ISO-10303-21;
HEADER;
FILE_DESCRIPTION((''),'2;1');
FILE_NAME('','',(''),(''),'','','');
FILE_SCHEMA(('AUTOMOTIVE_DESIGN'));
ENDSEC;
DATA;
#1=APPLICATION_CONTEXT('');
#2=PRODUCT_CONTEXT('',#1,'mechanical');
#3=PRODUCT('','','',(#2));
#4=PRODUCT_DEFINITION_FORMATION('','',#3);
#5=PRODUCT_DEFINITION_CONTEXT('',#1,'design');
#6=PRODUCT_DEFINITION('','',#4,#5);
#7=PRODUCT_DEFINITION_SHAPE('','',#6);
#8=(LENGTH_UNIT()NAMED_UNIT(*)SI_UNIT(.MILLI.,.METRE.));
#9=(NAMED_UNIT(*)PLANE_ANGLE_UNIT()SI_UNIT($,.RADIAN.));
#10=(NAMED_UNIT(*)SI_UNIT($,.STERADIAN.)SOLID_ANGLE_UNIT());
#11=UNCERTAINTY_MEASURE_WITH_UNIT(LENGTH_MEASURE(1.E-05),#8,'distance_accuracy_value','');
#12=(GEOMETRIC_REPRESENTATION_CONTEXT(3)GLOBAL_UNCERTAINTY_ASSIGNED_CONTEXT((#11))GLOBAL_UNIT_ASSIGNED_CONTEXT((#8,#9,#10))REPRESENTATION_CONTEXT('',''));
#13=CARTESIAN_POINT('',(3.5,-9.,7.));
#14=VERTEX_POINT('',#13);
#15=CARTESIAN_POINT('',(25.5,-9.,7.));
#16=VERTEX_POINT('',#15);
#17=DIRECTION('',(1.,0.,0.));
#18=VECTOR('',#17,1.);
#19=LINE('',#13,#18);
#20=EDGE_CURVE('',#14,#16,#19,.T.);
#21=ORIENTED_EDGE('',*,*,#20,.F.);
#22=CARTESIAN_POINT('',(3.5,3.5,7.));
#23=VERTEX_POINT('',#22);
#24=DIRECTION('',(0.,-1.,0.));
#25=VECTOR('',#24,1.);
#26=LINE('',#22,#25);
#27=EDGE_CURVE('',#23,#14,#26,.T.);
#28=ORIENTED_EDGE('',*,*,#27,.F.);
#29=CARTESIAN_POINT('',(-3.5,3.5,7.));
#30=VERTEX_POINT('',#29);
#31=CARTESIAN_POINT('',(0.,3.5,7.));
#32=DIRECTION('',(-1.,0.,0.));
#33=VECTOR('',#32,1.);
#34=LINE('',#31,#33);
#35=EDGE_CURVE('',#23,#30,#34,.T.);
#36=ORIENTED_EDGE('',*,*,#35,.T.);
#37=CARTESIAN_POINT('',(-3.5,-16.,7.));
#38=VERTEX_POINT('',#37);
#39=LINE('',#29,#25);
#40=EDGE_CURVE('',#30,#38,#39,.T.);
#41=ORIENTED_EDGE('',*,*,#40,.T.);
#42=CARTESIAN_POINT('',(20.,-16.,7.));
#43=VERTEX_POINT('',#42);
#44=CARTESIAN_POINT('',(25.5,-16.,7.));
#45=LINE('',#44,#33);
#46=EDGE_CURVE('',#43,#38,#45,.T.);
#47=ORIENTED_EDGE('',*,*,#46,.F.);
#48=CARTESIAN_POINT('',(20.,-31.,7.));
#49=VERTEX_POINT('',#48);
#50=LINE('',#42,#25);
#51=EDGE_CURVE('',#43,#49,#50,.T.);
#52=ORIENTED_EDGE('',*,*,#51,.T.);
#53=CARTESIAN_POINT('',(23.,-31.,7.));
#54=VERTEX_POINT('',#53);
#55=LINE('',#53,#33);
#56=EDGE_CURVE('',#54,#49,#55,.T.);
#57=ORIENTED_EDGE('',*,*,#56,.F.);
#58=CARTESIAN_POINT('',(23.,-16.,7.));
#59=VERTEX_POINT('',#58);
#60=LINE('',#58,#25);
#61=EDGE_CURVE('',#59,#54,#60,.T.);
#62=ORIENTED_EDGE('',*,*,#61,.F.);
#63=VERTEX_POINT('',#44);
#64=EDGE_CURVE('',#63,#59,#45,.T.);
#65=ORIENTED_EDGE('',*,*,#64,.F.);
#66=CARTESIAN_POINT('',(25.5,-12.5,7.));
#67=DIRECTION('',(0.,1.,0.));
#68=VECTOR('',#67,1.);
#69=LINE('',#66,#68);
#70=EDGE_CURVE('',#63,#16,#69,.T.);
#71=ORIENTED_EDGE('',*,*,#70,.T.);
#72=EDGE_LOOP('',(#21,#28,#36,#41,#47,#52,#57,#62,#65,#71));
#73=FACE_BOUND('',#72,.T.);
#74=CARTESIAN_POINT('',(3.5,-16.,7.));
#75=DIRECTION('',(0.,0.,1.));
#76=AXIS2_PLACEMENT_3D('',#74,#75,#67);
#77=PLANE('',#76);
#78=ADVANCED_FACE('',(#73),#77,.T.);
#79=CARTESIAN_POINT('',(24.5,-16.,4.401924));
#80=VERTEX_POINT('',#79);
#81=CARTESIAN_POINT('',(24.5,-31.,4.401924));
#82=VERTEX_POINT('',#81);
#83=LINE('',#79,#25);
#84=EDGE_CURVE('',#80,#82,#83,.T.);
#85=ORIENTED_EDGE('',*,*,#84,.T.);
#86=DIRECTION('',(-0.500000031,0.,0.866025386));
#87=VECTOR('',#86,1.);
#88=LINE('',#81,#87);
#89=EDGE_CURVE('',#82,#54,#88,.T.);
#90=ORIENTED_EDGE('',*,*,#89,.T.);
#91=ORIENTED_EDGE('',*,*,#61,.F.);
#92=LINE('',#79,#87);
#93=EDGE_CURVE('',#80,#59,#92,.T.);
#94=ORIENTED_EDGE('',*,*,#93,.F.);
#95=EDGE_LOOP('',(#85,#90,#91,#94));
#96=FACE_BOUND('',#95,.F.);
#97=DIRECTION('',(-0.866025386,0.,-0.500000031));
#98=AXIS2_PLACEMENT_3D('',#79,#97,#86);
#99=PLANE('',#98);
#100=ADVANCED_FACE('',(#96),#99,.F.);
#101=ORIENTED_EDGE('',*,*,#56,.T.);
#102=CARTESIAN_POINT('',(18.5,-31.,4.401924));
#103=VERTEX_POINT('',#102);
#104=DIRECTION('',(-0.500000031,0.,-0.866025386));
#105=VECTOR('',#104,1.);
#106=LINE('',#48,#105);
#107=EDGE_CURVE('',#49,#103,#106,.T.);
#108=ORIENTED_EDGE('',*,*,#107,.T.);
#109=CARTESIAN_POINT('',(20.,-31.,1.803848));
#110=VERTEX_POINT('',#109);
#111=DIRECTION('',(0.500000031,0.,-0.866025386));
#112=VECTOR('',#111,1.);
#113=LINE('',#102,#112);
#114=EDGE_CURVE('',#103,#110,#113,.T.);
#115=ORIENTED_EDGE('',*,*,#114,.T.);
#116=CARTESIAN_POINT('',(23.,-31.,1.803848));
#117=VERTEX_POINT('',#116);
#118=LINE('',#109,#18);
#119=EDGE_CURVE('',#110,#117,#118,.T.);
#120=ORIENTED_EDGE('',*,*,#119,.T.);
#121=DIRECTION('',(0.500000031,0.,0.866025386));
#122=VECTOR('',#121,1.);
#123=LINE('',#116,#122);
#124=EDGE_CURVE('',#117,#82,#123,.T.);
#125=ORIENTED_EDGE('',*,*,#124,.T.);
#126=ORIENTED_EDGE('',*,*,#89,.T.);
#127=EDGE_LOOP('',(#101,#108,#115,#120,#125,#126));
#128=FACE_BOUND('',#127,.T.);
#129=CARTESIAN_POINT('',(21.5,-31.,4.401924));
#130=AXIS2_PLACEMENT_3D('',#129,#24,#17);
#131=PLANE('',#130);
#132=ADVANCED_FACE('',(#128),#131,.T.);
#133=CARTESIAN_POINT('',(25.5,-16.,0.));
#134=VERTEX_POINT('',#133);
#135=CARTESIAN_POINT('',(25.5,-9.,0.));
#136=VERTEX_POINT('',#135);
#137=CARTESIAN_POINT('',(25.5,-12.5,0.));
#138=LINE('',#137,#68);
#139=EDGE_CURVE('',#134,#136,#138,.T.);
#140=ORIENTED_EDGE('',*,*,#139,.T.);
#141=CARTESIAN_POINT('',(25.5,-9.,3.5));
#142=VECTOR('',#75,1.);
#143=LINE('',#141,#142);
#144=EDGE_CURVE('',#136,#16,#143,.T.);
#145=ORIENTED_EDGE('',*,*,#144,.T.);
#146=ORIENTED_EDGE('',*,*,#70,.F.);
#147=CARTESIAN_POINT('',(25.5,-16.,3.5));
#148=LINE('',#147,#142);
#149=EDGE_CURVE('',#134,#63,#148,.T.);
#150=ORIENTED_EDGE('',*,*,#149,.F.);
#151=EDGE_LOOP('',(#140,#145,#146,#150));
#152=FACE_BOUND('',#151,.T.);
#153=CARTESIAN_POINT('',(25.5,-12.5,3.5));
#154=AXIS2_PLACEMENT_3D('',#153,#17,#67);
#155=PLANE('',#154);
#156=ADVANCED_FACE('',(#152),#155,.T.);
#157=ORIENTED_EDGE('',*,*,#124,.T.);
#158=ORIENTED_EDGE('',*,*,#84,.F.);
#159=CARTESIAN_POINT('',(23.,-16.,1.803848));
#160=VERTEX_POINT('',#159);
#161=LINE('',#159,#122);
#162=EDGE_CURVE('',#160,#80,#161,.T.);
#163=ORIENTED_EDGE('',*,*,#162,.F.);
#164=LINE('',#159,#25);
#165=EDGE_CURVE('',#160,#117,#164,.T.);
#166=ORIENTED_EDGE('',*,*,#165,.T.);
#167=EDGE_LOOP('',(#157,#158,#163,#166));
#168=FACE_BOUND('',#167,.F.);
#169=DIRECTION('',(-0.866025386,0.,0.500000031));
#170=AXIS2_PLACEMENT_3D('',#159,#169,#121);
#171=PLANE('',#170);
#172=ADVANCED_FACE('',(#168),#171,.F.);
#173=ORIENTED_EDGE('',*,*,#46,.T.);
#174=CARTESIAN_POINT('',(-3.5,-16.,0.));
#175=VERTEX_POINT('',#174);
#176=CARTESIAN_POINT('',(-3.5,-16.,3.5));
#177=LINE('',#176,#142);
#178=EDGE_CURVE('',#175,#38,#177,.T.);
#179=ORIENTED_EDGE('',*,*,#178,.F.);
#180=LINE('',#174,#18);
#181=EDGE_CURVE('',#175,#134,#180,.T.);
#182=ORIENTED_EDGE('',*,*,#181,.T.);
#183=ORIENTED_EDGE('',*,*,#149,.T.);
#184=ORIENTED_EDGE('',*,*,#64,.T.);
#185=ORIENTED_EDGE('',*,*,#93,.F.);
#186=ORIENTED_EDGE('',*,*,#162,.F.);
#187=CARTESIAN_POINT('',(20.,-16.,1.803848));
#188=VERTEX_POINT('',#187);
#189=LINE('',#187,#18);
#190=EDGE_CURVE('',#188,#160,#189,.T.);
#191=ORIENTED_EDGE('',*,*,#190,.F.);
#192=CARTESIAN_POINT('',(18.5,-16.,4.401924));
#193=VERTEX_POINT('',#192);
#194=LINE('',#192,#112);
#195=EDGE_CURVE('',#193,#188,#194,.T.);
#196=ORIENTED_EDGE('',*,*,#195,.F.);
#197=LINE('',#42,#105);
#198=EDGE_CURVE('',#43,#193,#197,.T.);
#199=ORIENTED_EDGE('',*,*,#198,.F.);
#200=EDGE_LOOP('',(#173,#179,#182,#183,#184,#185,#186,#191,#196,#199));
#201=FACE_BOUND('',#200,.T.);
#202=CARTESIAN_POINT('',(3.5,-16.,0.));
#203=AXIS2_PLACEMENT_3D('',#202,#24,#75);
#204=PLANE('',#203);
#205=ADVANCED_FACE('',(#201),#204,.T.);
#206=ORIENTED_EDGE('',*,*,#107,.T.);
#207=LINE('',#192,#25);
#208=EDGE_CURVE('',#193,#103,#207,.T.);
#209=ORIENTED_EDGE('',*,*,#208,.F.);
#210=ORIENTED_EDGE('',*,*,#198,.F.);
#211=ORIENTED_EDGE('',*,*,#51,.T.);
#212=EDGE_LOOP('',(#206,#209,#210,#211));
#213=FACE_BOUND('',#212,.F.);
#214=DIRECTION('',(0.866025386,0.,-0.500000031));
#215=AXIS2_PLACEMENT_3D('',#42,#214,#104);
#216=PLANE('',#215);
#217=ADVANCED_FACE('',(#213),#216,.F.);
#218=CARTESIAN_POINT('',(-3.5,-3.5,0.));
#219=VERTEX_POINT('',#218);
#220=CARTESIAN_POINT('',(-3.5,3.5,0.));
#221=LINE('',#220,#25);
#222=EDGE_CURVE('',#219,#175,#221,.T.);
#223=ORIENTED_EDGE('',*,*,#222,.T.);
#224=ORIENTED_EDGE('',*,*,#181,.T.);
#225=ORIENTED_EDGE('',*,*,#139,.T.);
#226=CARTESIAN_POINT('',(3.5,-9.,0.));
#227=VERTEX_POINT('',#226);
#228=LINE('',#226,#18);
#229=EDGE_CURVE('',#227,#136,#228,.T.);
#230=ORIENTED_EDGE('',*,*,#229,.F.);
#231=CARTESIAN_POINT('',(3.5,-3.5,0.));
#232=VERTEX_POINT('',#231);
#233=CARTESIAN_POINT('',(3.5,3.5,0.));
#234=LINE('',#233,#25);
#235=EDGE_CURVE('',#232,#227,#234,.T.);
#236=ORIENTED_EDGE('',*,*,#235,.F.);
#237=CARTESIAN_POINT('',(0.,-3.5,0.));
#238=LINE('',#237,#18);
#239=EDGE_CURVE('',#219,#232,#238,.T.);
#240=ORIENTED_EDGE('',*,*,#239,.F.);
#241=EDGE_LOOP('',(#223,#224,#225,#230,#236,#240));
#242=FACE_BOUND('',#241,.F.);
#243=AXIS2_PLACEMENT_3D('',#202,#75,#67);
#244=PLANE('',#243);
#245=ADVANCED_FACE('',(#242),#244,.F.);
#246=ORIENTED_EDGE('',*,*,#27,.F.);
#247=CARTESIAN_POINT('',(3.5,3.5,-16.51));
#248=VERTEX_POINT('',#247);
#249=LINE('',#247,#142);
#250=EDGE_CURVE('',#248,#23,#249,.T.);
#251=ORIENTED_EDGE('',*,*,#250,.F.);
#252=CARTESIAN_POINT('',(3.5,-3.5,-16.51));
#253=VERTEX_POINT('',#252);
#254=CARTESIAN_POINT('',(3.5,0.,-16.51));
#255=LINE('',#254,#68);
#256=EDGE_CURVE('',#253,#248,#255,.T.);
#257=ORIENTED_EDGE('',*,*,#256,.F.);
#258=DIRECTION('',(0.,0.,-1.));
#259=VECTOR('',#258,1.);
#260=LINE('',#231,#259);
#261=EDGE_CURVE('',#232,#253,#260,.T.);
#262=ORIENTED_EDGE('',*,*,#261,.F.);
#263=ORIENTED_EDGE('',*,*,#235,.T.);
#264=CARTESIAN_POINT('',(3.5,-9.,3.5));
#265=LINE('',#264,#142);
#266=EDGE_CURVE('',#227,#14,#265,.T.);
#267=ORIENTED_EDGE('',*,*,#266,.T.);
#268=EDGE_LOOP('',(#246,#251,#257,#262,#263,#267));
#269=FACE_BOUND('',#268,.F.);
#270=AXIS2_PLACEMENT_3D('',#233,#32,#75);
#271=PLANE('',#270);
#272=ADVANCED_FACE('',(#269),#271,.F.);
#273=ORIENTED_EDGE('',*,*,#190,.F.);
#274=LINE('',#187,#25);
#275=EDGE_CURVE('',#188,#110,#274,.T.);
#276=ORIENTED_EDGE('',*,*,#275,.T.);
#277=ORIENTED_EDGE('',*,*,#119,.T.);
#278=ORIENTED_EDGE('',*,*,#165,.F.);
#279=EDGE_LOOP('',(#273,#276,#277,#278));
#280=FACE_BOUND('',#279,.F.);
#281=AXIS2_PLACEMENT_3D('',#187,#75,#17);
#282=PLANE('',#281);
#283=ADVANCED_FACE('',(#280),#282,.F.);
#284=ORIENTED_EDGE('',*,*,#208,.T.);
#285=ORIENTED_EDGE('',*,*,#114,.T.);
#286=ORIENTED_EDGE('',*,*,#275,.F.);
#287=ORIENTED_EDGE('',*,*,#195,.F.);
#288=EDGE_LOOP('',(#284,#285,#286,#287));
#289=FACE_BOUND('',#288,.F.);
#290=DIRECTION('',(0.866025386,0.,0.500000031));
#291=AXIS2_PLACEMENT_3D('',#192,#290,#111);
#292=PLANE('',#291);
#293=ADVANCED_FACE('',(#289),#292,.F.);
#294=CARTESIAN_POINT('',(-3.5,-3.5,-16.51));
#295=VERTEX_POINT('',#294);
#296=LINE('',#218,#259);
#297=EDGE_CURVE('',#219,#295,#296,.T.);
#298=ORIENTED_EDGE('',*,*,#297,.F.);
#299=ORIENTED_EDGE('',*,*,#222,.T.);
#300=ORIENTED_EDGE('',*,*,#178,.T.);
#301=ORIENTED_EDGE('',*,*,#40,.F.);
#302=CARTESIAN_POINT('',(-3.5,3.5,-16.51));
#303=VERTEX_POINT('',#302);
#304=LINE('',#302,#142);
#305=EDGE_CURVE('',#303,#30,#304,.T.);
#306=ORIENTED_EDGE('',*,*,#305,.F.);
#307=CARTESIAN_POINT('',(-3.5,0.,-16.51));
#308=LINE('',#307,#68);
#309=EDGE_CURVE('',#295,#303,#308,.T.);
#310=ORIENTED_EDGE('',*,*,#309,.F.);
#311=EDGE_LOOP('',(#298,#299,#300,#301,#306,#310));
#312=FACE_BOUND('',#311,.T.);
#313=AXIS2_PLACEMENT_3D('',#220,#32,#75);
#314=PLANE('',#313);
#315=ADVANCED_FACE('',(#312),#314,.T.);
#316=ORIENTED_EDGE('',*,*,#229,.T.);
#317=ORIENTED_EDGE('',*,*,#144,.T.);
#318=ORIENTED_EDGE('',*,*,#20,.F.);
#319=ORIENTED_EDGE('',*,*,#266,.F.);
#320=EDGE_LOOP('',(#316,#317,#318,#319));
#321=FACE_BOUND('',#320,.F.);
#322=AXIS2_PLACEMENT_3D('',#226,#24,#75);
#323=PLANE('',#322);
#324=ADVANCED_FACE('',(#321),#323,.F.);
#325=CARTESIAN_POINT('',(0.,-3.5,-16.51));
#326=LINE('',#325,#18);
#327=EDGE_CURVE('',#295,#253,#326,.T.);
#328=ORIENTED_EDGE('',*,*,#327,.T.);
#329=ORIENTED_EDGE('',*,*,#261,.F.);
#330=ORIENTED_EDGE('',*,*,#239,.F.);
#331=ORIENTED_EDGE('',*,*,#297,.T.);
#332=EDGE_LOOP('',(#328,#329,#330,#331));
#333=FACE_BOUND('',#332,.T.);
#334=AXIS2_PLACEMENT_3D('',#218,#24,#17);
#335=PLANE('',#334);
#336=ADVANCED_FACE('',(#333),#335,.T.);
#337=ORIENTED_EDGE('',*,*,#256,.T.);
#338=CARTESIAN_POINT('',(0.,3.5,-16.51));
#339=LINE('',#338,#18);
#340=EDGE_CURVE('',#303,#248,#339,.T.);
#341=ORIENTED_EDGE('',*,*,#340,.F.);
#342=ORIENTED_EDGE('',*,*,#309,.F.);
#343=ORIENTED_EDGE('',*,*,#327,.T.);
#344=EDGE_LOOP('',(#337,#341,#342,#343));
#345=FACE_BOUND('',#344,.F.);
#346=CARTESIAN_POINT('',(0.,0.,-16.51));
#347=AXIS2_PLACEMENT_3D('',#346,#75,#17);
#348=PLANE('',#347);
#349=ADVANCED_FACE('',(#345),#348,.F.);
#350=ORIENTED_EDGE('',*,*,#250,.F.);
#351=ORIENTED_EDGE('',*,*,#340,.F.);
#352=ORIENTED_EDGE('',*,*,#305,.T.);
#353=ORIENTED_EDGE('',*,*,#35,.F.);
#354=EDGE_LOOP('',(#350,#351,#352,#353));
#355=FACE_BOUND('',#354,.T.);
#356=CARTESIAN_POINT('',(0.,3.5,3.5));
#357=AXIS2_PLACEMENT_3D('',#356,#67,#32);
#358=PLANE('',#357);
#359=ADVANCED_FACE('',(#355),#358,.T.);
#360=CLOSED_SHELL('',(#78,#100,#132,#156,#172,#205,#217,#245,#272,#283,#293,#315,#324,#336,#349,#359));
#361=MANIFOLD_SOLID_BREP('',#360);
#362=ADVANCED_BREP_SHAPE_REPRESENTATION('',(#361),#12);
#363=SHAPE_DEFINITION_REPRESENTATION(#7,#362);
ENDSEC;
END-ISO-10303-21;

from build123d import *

# Parameters (mm, degrees)
F0_W     = 7
F0_H     = 7
F1_DEPTH = 16.51
F3_W     = 7
F3_H     = 7
F4_DEPTH = 19.5
F5_W     = 7
F5_H     = 7
F6_DEPTH = 22
F8_DEPTH = 15


with BuildPart() as f1:
    # F0 (on Top) → F1 (new body)
    with BuildSketch(Plane.XY):
        Rectangle(F0_W, F0_H)
    extrude(amount=-F1_DEPTH)

    # F3 (on face) → F4 (join, through all)
    with BuildSketch(Plane(origin=(0, 3.5, 0), x_dir=(-1, 0, 0), z_dir=(0, 1, 0))):
        with Locations((0, 3.5)):
            Rectangle(F3_W, F3_H)
    extrude(amount=-F4_DEPTH)

    # F5 (on face) → F6 (join, through all)
    with BuildSketch(Plane.YZ.offset(3.5)):
        with Locations((-12.5, 3.5)):
            Rectangle(F5_W, F5_H)
    extrude(amount=F6_DEPTH)

    # F7 (on face) → F8 (join)
    with BuildSketch(Plane.XZ.offset(16)):
        Polygon((23, 7), (20, 7), (18.5, 4.401924), (20, 1.803848), (23, 1.803848), (24.5, 4.401924), align=None)
    extrude(amount=F8_DEPTH)


solid = f1.part
